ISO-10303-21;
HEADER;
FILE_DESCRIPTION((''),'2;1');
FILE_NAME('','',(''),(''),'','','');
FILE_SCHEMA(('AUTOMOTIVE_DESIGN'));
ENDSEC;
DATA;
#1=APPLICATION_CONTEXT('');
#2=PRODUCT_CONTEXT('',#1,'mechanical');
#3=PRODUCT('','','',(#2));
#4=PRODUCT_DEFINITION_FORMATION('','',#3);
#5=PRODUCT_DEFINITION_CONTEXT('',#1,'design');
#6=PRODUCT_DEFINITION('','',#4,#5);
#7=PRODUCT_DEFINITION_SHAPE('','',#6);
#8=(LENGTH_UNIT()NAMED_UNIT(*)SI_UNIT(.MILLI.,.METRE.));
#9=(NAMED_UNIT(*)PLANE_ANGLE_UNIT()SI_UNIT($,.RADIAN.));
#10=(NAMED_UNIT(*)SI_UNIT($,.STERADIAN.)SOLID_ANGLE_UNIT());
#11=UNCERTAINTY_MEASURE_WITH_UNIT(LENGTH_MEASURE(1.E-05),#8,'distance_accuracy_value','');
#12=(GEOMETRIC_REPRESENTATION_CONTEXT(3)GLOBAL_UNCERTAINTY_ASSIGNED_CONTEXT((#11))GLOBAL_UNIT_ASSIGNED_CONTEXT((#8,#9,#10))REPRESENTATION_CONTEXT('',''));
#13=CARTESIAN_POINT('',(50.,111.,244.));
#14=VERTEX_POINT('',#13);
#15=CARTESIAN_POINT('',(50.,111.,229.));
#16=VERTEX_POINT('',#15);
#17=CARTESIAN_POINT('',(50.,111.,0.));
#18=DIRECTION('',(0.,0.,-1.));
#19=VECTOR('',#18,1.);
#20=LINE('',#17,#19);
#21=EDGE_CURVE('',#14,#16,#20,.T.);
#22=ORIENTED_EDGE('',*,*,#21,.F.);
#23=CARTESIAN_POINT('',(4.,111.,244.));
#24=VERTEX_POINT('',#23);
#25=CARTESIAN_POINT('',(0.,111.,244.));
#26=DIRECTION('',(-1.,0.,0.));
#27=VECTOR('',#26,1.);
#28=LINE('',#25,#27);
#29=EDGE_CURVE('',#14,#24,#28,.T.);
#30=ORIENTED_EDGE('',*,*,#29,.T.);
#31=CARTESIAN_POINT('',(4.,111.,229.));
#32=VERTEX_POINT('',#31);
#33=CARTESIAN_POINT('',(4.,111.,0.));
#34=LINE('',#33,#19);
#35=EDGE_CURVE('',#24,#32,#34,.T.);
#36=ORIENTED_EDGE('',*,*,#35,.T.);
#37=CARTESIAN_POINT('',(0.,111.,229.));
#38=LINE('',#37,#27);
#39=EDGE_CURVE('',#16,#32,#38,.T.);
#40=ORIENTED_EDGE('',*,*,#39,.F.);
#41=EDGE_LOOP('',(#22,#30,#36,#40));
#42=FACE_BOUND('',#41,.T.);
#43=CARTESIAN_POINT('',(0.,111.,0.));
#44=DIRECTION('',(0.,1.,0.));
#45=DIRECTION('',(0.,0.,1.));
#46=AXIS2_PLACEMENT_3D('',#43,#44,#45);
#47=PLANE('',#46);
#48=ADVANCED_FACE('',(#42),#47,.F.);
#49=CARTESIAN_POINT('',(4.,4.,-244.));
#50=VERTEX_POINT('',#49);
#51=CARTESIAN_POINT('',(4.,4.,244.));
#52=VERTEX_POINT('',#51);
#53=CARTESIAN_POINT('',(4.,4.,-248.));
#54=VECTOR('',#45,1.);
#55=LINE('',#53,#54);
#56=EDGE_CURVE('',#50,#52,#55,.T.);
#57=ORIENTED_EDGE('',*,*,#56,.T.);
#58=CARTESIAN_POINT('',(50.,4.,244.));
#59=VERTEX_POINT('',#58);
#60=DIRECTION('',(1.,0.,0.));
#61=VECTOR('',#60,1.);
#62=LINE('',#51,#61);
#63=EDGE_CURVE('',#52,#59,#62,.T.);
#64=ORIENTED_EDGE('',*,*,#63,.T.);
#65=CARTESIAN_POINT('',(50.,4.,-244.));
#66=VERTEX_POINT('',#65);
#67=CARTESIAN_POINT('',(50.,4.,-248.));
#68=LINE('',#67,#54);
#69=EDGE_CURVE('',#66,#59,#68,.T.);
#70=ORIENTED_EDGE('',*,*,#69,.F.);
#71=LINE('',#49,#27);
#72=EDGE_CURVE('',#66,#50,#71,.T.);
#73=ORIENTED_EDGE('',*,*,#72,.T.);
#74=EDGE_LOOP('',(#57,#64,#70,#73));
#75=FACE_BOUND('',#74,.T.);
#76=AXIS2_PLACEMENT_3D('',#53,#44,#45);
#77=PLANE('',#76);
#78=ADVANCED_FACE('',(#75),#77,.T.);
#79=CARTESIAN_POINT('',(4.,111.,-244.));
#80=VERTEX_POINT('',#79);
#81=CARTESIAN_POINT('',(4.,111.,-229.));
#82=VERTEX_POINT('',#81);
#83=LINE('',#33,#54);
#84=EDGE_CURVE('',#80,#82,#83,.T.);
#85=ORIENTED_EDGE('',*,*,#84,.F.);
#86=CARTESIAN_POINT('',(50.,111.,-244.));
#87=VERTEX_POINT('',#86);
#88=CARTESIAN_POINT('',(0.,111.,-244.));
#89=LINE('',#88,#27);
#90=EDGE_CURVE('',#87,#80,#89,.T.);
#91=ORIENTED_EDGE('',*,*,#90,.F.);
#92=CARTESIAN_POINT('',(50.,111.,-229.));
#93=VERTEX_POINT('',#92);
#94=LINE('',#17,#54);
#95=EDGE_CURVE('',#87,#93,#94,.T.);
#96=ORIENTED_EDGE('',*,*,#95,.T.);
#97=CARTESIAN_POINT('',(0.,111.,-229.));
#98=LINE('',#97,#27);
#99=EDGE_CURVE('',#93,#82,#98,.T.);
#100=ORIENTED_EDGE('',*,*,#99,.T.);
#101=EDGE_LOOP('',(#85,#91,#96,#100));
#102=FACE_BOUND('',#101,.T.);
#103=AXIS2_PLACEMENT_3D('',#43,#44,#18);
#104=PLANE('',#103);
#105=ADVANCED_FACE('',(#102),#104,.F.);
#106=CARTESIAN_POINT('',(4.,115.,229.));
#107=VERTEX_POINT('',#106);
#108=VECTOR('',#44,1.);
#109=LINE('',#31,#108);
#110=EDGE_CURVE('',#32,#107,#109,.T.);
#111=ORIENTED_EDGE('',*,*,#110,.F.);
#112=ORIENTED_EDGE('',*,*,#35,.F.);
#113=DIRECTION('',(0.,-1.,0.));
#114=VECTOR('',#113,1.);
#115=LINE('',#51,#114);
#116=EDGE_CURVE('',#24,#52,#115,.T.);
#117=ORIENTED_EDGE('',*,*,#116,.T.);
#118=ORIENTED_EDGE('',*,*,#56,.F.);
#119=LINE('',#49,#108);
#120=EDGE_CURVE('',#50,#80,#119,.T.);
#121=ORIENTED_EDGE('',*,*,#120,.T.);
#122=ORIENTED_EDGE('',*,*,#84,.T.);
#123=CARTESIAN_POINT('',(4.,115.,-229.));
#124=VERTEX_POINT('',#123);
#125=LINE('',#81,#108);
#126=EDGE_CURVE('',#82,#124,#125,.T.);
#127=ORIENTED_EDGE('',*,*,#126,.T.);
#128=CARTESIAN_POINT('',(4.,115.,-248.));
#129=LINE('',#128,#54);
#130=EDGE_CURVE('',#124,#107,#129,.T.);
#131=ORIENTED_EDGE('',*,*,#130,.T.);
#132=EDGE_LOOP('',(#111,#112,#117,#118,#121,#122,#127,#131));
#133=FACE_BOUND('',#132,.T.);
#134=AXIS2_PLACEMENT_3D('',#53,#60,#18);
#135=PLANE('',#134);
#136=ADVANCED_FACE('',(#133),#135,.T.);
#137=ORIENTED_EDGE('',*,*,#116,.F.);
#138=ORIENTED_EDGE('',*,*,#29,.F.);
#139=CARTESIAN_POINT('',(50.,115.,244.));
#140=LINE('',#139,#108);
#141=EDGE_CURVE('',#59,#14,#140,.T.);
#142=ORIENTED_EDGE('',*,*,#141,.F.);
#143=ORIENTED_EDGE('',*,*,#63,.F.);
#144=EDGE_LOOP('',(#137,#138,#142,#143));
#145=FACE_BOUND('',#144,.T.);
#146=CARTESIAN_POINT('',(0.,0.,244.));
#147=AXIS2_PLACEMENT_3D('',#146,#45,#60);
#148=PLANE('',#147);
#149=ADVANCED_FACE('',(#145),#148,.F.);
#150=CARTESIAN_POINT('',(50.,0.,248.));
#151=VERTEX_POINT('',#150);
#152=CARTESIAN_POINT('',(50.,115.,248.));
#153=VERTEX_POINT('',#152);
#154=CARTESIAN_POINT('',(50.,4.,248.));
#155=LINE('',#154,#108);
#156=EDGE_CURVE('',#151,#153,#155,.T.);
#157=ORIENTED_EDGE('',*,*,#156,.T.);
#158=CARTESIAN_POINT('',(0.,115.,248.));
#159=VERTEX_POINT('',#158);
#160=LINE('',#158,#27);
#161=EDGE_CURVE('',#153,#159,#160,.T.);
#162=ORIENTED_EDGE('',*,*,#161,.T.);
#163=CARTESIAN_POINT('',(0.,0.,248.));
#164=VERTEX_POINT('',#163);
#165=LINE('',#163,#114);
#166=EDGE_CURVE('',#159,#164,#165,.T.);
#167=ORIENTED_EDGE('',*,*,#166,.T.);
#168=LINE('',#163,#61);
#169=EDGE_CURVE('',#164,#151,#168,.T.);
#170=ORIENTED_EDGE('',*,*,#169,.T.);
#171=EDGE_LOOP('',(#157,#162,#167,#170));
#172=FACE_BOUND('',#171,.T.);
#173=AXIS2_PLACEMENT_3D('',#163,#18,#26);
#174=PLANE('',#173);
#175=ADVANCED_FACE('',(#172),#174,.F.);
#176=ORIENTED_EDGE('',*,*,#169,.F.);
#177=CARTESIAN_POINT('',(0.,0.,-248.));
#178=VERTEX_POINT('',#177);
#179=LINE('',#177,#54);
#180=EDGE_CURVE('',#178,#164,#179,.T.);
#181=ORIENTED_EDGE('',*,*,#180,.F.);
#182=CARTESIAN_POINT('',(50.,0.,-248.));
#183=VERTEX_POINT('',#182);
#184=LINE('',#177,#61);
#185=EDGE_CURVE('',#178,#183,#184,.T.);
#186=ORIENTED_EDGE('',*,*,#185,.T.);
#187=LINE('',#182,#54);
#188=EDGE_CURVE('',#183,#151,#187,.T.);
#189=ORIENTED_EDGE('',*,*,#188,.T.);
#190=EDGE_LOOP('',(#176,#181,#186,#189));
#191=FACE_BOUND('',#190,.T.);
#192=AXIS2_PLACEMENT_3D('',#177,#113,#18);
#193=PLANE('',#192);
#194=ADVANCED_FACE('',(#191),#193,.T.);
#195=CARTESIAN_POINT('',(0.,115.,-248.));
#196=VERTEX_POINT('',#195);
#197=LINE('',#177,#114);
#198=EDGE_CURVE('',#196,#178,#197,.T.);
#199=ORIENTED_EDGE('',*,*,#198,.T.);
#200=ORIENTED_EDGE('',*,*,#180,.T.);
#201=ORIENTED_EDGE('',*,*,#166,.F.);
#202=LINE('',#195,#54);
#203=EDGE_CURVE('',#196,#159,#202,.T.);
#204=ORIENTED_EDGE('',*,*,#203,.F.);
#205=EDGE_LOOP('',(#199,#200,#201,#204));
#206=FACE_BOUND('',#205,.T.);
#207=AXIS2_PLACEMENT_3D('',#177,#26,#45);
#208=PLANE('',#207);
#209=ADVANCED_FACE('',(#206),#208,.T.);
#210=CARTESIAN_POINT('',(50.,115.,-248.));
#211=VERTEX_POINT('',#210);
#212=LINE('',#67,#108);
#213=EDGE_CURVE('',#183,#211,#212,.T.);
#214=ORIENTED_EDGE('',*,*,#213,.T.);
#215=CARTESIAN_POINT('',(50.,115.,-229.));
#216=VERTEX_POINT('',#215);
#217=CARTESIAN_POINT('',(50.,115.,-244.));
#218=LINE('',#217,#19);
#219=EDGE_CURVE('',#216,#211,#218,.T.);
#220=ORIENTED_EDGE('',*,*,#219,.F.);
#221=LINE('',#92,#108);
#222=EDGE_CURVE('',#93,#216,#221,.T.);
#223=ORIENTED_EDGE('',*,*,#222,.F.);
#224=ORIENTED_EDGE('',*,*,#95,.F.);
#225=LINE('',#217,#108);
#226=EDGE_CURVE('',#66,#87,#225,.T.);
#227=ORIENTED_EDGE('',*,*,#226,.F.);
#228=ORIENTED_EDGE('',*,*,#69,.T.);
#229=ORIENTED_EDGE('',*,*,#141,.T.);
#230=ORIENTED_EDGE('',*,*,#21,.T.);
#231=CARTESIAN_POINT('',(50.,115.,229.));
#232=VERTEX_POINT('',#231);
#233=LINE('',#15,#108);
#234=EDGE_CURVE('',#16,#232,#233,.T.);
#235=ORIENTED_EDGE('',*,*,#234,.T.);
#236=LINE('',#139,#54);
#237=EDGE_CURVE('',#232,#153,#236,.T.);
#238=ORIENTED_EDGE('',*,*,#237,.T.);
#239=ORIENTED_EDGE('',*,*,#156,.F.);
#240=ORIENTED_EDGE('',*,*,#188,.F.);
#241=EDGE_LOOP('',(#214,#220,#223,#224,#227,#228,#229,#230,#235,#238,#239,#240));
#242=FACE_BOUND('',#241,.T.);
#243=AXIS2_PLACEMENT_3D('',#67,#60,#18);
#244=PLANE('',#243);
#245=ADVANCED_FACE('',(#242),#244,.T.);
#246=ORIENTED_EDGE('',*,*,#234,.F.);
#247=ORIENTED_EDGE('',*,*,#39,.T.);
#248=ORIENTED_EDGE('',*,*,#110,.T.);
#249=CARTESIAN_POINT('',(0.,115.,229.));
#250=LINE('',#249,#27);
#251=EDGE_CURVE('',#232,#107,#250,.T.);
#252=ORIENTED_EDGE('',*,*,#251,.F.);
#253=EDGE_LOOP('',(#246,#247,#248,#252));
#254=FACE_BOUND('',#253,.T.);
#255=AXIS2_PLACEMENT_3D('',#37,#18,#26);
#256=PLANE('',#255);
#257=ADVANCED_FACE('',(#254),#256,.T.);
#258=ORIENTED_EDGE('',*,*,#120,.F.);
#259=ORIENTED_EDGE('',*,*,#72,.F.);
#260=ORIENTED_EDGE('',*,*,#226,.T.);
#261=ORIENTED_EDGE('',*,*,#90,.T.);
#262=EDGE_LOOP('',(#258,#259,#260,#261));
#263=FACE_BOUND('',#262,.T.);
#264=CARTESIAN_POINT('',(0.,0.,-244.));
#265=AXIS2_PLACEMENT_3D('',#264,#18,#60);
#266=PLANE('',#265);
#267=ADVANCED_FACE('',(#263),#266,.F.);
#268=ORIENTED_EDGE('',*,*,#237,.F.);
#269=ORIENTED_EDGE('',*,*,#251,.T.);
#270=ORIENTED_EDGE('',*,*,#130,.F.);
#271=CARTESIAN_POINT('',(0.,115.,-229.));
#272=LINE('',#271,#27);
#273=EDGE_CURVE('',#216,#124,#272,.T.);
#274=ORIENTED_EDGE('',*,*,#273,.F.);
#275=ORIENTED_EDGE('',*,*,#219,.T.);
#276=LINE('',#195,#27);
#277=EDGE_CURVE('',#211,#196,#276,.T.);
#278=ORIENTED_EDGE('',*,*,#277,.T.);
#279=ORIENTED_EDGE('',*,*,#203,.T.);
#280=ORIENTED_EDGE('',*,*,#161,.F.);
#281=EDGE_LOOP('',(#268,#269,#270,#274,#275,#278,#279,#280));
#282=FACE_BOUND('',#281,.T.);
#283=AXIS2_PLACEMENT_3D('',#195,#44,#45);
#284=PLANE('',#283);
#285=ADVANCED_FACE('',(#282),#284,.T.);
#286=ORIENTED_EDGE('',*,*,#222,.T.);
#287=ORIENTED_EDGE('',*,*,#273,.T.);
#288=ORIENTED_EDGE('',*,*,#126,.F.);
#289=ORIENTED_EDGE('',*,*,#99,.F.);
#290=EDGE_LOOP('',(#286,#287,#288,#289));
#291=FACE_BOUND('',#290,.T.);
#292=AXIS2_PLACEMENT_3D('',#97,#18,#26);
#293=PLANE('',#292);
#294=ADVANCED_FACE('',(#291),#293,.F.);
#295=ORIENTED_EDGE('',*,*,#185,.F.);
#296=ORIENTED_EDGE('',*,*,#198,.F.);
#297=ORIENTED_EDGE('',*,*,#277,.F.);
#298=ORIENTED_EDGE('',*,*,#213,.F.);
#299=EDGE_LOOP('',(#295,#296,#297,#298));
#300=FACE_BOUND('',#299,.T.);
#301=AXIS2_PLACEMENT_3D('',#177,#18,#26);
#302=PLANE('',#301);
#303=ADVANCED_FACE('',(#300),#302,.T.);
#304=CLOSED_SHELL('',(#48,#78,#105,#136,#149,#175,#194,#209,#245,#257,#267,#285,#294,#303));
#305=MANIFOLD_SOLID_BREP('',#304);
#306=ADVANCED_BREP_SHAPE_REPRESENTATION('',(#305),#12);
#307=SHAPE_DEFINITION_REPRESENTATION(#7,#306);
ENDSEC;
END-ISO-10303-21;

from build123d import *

# Parameters (mm, degrees)
SALIENTE_EXTRUIR1_DEPTH      = 248
SALIENTE_EXTRUIR1_DEPTH_BACK = 248
CROQUIS2_W                   = 50
CROQUIS2_H                   = 115
SALIENTE_EXTRUIR2_DEPTH      = 4
CROQUIS5_W                   = 46
CROQUIS5_H                   = 15
SALIENTE_EXTRUIR5_DEPTH      = 4


with BuildPart() as part:
    # Croquis1 → Saliente-Extruir1 (new, two sides: drawn at the far end of the back side and taken through both)
    with BuildSketch(Plane.XY.offset(-SALIENTE_EXTRUIR1_DEPTH_BACK)):
        Polygon((0, 0), (0, 115), (4, 115), (4, 4), (50, 4), (50, 0), align=None)
    extrude(amount=SALIENTE_EXTRUIR1_DEPTH + SALIENTE_EXTRUIR1_DEPTH_BACK)

    # Croquis2 → Saliente-Extruir2 (add)
    with BuildSketch(Plane.XY.offset(248)):
        with Locations((25, 57.5)):
            Rectangle(CROQUIS2_W, CROQUIS2_H)
    saliente_extruir2 = extrude(amount=-SALIENTE_EXTRUIR2_DEPTH)

    # Simetría1: Saliente-Extruir2 across plane
    add(saliente_extruir2.mirror(Plane.XY))

    # Croquis5 → Saliente-Extruir5 (add)
    with BuildSketch(Plane(origin=(0, 115, 0), x_dir=(1, 0, 0), z_dir=(0, 1, 0))):
        with Locations((27, -236.5)):
            Rectangle(CROQUIS5_W, CROQUIS5_H)
    saliente_extruir5 = extrude(amount=-SALIENTE_EXTRUIR5_DEPTH)

    # Simetría2: Saliente-Extruir5 across plane
    add(saliente_extruir5.mirror(Plane.XY))


solid = part.part
